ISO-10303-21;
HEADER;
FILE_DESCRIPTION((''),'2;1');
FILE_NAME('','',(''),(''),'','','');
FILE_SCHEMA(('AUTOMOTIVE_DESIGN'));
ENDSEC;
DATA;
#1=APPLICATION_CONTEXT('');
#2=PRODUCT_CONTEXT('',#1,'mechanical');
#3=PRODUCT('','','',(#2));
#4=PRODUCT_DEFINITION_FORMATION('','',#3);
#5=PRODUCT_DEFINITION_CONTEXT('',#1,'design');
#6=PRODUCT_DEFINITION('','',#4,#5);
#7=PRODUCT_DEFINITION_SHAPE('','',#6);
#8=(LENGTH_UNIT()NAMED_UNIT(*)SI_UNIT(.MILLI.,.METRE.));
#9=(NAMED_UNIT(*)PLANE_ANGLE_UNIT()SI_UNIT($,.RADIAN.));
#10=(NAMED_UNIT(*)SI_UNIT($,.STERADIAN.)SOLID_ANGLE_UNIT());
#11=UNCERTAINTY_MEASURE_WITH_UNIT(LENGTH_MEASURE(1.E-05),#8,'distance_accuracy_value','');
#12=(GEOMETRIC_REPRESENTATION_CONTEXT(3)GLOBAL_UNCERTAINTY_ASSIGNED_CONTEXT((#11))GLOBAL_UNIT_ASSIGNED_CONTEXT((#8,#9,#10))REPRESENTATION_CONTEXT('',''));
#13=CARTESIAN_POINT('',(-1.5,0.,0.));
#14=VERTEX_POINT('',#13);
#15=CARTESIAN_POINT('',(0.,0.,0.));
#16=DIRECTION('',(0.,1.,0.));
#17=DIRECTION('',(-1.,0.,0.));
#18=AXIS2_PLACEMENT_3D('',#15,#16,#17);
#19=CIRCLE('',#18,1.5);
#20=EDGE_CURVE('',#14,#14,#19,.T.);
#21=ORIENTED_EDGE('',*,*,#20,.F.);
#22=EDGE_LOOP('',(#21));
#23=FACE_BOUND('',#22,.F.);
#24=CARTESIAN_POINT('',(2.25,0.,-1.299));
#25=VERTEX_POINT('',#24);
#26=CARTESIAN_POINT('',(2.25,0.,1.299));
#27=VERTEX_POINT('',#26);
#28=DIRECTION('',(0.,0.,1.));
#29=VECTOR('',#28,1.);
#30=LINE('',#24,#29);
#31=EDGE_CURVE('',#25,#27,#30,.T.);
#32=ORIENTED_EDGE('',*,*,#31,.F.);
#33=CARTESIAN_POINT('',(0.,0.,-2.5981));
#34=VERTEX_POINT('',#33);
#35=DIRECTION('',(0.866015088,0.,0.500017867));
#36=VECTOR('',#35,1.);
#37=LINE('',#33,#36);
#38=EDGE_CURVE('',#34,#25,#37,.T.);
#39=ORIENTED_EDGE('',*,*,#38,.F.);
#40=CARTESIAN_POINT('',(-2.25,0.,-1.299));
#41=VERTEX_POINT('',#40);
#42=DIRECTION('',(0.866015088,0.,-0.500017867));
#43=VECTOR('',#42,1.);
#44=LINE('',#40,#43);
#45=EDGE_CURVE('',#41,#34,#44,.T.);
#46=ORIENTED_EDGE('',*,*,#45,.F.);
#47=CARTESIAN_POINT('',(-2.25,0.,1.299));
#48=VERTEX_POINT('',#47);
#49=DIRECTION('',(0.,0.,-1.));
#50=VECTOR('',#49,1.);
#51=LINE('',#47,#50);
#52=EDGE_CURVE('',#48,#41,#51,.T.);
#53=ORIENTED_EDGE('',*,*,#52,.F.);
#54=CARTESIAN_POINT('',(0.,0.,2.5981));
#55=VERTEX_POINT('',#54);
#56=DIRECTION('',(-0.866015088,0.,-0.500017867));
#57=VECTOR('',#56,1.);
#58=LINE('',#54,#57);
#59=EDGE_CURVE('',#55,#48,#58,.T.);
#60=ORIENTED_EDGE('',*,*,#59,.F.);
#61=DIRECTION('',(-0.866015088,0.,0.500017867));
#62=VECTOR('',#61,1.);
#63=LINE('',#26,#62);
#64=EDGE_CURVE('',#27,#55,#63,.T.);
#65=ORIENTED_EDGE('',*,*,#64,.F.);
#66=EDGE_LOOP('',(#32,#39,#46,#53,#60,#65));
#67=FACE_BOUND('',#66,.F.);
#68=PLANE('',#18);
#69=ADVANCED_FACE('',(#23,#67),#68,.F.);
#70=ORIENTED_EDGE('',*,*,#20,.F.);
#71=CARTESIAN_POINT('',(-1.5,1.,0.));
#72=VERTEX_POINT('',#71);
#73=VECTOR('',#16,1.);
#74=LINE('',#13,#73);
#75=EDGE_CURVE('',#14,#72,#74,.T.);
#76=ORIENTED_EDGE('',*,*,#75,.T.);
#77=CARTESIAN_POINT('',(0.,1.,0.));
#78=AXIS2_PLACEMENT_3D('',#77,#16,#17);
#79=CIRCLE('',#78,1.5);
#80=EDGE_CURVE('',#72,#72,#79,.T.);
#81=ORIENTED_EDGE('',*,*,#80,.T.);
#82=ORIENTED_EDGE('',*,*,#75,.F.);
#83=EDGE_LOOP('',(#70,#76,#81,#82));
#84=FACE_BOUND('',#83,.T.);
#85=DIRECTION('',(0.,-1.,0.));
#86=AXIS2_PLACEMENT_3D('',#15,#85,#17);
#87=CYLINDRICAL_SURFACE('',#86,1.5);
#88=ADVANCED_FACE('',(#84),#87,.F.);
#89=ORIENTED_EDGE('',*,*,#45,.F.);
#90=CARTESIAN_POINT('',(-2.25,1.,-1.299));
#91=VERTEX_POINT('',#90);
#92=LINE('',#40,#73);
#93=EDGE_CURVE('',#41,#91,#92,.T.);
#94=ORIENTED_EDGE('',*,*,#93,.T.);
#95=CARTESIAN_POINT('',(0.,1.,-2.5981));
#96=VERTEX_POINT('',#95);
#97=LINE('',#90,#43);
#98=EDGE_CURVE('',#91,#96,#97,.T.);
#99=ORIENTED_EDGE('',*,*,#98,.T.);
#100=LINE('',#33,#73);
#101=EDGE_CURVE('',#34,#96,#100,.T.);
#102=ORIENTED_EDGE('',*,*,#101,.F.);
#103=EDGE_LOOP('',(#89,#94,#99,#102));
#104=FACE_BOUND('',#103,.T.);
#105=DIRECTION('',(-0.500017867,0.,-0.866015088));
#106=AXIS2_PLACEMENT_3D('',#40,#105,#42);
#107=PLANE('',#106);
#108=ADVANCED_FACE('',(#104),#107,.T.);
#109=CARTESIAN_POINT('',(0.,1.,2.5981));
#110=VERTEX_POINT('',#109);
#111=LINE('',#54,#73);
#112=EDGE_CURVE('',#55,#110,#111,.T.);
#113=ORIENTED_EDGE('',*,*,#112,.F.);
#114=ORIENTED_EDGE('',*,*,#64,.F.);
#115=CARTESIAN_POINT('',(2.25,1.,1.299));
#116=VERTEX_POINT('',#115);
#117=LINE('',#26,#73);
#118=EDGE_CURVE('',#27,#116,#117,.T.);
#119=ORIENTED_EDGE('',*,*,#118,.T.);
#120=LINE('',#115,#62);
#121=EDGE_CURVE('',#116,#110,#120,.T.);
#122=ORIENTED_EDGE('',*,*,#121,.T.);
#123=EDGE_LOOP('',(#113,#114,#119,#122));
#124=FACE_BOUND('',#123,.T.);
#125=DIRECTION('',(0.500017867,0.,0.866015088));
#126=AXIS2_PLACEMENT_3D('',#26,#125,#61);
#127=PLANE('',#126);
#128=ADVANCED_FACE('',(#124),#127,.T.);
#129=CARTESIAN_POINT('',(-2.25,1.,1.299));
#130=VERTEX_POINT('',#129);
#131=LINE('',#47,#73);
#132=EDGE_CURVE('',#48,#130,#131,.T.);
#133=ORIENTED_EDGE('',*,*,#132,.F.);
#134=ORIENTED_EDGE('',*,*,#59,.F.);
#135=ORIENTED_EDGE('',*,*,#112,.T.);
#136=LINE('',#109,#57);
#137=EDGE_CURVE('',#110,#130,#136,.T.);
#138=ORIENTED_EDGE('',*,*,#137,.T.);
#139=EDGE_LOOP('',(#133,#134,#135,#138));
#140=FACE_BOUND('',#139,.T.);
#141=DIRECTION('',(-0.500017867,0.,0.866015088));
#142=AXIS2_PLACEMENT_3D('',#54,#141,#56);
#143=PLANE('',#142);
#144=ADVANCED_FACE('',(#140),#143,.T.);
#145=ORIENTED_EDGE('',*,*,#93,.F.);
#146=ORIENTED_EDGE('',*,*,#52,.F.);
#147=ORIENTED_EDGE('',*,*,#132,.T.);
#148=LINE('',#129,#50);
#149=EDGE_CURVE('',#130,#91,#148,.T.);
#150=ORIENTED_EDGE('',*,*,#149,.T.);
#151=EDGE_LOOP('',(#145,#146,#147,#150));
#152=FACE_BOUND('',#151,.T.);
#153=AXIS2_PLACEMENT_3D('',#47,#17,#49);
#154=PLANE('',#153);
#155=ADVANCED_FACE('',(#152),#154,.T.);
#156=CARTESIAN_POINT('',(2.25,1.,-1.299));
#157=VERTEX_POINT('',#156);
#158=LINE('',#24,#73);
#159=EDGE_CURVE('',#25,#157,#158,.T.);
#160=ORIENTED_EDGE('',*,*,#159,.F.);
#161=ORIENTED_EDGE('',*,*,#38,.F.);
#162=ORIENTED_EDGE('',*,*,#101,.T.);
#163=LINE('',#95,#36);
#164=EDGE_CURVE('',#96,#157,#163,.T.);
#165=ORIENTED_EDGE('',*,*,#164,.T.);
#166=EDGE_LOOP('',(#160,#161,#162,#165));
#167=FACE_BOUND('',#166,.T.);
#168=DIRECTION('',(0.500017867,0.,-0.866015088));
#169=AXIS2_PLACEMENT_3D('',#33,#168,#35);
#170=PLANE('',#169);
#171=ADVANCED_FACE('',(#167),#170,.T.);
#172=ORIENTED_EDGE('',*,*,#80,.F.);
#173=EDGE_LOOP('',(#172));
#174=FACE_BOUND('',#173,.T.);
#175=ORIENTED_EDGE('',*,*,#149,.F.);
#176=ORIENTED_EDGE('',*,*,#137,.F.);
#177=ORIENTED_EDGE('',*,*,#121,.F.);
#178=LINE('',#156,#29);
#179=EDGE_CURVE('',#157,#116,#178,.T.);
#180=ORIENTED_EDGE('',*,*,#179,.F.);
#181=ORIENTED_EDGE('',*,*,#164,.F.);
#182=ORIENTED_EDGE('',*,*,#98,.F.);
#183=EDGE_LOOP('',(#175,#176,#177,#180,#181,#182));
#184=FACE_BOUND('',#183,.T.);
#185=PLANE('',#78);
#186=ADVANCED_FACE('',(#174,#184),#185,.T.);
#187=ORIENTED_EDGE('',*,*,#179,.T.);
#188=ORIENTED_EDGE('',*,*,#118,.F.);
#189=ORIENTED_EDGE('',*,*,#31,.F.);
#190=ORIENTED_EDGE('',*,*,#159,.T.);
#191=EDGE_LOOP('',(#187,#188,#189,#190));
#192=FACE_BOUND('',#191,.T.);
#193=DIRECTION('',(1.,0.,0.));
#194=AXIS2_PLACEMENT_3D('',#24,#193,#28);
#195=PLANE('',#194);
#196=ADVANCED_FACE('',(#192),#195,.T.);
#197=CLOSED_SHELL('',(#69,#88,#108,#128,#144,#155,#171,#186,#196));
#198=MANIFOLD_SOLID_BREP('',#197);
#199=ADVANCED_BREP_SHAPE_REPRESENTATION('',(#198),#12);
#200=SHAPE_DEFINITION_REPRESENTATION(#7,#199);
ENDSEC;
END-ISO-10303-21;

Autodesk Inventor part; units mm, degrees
ref_plane "YZ Plane" through (0, 0, 0) normal (1, 0, 0) x (0, 1, 0)
ref_plane "XZ Plane" through (0, 0, 0) normal (0, 1, 0) x (-1, 0, 0)
ref_plane "XY Plane" through (0, 0, 0) normal (0, 0, 1) x (1, 0, 0)
sketch "Sketch1" plane through (0, 0, 0) normal (0, 1, 0) x (-1, 0, 0)
  circle A0 centre (0, 0) radius 1.5
  line L0 (0, -2.5981) -> (-2.25, -1.299)
  line L1 (-2.25, -1.299) -> (-2.25, 1.299)
  line L2 (-2.25, 1.299) -> (0, 2.5981)
  line L3 (0, 2.5981) -> (2.25, 1.299)
  line L4 (2.25, 1.299) -> (2.25, -1.299)
  line L5 (2.25, -1.299) -> (0, -2.5981)
  dimension "d0" = 3
  dimension "d1" = 4.5
extrude "Extrusion1" add sketch "Sketch1" along normal blind 1
thread "Thread1" size "M3x0.5" class "6H" standard "ANSI Metric M Profile" full length
properties part number "M3 nu"
